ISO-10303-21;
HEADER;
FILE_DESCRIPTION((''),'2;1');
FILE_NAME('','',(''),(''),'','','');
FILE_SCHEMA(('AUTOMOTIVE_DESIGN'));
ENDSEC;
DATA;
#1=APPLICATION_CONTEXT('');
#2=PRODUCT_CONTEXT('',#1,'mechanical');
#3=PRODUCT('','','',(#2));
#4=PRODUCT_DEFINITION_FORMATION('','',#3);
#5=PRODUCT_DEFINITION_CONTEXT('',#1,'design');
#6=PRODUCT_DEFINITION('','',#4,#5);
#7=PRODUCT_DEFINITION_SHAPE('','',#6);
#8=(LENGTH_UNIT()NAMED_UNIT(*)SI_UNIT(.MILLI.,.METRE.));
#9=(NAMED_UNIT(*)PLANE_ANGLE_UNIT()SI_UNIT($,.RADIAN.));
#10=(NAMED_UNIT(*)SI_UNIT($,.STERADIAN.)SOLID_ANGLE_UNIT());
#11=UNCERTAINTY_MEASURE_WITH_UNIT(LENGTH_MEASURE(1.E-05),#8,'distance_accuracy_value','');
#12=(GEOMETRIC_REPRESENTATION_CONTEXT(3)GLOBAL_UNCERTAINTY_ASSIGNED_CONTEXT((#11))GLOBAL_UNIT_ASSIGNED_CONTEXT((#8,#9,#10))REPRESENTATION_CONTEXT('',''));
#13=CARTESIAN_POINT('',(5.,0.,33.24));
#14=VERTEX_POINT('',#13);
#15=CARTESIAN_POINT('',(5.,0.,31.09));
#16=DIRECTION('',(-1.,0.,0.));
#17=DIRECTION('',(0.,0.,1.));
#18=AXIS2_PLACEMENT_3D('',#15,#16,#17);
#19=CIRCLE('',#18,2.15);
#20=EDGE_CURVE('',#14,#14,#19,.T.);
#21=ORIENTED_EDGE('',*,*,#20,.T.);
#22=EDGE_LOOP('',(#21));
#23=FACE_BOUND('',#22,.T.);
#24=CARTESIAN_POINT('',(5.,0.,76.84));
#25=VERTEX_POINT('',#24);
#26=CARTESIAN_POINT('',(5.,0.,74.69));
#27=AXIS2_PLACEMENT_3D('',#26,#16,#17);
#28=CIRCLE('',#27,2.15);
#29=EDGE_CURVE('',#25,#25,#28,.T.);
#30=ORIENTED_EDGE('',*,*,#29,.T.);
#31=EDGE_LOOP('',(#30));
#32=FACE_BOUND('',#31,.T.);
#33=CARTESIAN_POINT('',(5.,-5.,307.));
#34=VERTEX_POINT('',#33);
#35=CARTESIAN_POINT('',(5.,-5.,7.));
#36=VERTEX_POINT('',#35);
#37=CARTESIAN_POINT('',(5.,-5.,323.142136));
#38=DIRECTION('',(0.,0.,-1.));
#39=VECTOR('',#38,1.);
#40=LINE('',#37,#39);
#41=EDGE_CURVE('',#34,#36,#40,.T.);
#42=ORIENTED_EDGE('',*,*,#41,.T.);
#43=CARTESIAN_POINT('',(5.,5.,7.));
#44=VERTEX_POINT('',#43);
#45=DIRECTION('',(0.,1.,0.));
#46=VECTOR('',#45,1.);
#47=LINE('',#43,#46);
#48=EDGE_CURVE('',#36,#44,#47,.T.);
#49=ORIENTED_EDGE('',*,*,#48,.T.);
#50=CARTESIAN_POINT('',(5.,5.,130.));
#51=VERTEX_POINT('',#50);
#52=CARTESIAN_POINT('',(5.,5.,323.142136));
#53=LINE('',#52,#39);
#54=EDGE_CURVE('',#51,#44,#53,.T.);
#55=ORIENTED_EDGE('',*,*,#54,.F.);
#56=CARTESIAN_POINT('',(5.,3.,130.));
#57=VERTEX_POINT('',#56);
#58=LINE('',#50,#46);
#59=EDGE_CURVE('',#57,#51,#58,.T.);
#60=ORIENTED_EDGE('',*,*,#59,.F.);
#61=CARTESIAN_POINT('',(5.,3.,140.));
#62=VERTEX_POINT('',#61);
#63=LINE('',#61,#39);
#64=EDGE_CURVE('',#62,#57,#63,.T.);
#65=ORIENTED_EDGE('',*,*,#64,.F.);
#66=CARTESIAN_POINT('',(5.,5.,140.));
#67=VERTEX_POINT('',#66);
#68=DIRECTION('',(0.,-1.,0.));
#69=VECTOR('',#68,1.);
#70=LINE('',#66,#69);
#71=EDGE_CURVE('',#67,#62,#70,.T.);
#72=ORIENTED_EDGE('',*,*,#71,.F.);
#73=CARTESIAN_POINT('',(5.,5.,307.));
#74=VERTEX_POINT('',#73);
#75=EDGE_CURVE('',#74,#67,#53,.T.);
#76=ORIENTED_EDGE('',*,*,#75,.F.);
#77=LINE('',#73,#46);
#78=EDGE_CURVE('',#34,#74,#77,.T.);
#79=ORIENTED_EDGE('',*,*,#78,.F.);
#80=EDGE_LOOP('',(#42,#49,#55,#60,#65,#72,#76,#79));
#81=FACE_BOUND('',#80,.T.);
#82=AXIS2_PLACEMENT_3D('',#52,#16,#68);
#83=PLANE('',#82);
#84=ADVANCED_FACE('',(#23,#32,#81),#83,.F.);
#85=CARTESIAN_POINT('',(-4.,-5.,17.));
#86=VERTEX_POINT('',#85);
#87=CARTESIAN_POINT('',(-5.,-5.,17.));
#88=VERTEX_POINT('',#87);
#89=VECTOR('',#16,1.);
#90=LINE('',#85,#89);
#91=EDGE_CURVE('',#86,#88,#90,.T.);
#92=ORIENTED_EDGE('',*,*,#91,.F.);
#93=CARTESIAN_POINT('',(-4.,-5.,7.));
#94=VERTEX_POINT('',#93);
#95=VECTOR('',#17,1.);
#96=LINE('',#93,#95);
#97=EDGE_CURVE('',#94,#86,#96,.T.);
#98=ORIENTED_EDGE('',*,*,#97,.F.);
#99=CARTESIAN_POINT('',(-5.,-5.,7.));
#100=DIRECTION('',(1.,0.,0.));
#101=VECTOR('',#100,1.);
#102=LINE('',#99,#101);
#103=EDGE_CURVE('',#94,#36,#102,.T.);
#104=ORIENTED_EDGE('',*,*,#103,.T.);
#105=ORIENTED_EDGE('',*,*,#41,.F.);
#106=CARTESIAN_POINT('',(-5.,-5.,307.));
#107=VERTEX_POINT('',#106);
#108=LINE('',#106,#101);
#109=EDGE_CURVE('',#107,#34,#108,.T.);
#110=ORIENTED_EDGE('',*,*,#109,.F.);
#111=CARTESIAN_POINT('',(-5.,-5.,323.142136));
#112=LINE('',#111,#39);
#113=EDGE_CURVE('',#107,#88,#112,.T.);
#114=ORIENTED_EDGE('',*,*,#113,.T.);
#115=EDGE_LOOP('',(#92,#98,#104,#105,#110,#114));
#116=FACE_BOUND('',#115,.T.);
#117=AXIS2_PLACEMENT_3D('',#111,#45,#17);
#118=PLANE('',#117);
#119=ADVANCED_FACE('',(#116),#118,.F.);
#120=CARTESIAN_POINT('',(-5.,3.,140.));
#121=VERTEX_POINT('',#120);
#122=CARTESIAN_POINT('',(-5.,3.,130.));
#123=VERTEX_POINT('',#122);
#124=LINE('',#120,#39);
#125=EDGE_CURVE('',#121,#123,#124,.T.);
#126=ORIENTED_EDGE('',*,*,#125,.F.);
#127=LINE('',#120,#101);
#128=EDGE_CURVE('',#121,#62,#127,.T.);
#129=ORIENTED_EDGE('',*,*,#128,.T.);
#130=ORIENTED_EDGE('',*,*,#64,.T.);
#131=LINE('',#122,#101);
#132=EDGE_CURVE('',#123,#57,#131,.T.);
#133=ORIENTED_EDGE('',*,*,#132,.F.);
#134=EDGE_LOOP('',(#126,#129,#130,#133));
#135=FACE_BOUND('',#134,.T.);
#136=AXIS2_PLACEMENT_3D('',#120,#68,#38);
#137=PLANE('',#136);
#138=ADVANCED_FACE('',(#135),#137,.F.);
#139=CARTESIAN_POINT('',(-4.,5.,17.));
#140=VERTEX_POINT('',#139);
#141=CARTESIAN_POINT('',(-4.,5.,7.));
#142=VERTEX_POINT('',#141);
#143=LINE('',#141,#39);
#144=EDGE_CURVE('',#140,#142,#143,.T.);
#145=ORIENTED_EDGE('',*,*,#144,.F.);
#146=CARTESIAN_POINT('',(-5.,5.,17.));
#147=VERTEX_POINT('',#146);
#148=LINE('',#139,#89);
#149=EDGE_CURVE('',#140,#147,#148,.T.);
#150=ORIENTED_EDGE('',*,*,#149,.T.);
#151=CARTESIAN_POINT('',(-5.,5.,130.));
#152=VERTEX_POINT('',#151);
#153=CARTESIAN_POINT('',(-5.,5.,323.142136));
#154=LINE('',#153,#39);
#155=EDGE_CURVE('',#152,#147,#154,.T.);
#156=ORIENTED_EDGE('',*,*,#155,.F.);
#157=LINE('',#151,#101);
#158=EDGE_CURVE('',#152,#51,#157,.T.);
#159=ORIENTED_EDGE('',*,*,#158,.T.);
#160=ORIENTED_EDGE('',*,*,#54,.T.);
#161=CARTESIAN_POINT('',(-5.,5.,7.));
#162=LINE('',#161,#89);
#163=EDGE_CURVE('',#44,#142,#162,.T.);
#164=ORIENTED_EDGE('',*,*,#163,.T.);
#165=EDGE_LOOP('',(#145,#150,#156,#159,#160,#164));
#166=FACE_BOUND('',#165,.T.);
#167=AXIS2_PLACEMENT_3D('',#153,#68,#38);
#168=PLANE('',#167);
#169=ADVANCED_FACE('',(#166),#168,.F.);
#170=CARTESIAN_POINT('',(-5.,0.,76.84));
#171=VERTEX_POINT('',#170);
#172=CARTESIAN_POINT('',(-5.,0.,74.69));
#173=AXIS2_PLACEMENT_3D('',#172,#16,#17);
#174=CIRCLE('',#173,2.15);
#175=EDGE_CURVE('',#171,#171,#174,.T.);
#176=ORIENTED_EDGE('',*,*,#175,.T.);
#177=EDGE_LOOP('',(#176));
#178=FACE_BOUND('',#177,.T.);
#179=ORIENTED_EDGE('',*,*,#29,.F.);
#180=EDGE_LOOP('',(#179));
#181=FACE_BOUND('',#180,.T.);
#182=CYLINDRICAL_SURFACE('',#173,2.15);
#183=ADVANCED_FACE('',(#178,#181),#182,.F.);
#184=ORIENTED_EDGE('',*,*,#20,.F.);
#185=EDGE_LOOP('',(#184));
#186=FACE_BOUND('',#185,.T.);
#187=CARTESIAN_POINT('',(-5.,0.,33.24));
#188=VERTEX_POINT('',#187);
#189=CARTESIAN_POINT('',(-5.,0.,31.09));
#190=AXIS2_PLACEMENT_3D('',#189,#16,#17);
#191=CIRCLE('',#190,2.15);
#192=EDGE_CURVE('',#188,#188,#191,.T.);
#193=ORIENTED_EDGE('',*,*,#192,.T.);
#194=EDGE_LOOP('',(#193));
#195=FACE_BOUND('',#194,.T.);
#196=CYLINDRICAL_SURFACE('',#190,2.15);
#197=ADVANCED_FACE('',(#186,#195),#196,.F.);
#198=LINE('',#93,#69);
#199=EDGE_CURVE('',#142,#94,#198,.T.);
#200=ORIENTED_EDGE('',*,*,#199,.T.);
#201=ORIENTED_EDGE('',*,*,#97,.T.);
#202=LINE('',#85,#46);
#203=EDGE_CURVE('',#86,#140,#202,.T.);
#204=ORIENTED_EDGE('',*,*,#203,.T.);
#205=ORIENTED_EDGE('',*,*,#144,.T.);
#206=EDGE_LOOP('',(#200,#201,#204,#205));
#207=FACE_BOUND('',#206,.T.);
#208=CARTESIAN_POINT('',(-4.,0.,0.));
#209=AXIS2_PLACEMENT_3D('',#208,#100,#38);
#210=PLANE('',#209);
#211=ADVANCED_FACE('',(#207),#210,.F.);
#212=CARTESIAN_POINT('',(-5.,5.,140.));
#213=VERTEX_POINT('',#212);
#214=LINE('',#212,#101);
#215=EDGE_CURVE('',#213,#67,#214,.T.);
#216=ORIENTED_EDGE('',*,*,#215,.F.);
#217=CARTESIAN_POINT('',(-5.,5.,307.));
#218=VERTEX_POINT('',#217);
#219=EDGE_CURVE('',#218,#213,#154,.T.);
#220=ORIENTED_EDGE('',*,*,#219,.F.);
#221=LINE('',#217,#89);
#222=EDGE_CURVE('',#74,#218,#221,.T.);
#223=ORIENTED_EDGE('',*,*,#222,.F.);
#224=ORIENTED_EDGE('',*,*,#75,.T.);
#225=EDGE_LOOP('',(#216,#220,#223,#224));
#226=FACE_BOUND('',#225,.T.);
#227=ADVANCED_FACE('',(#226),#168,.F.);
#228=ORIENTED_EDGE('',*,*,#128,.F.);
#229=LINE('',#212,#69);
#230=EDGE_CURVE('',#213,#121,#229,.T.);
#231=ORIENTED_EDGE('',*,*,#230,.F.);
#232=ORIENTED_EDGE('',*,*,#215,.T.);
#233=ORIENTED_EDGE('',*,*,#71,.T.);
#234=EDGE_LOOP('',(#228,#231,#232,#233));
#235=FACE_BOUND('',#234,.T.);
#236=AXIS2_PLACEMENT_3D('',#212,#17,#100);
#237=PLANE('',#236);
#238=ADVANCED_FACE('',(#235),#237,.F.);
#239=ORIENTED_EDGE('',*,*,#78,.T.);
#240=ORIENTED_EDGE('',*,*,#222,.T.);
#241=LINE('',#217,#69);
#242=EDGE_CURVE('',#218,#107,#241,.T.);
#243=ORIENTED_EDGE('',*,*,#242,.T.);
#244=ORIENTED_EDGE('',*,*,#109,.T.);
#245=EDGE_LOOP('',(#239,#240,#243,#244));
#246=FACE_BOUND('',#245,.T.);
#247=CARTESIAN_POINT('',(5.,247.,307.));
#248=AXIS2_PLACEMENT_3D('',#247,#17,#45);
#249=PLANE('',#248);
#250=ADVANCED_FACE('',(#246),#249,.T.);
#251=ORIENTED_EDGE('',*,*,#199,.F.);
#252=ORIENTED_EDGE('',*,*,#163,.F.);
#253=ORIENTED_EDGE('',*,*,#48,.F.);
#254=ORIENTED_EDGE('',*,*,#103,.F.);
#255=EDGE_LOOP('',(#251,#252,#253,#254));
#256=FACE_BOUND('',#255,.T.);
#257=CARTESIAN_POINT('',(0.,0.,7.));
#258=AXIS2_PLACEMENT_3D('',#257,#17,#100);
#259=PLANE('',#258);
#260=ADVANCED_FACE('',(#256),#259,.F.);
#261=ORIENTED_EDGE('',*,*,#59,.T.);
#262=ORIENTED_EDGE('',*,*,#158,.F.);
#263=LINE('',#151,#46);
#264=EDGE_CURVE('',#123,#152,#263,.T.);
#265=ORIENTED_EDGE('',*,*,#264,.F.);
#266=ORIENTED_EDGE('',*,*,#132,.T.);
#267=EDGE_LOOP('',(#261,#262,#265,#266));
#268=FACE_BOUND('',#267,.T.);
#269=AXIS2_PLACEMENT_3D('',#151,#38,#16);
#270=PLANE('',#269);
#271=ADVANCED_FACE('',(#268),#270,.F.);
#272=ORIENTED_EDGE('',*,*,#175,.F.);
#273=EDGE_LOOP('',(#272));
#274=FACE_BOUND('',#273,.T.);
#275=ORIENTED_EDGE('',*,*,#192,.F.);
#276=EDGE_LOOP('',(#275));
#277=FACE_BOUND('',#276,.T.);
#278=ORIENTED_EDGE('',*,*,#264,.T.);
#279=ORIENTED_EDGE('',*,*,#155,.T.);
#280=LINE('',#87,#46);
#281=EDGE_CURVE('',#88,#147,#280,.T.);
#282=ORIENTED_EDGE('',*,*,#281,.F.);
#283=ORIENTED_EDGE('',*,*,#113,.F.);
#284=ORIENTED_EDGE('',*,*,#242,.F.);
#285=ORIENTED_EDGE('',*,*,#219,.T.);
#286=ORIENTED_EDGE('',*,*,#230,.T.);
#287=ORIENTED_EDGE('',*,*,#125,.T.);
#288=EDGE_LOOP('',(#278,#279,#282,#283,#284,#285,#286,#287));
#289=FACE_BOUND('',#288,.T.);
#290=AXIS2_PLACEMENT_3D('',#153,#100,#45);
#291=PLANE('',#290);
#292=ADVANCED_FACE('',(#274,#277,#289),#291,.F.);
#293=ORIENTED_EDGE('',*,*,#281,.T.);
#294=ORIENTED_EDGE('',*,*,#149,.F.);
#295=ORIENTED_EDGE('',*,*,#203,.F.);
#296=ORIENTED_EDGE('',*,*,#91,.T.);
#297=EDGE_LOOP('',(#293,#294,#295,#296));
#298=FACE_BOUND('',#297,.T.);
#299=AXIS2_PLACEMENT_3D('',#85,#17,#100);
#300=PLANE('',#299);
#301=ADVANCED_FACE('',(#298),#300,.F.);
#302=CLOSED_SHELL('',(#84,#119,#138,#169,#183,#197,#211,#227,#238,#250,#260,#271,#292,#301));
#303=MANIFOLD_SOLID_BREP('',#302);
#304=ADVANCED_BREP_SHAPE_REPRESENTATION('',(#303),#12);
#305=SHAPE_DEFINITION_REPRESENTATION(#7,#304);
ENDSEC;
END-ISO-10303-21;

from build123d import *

# Parameters (mm, degrees)
BOSS_EXTRU_1_START      = 7
ESQUISSE1_W             = 10
ESQUISSE1_H             = 10
BOSS_EXTRU_1_DEPTH      = 300
ESQUISSE4_W             = 10
ESQUISSE4_H             = 2
ENL_V_MAT_EXTRU_3_DEPTH = 11
ESQUISSE6_W             = 10
ESQUISSE6_H             = 10
ENL_V_MAT_EXTRU_5_DEPTH = 1
D_GAGEMENT_M41_D        = 4.3


with BuildPart() as part:
    # Esquisse1 → Boss.-Extru.1 (new body)
    with BuildSketch(Plane.XY.offset(BOSS_EXTRU_1_START)):
        Rectangle(ESQUISSE1_W, ESQUISSE1_H)
    extrude(amount=BOSS_EXTRU_1_DEPTH)

    # Esquisse4 → Enlèv. mat.-Extru.3 (cut, through all)
    with BuildSketch(Plane(origin=(5, 0, 0), x_dir=(0, 0, -1), z_dir=(1, 0, 0))):
        with Locations((-135, 4)):
            Rectangle(ESQUISSE4_W, ESQUISSE4_H)
    extrude(amount=-ENL_V_MAT_EXTRU_3_DEPTH, mode=Mode.SUBTRACT)

    # Esquisse6 → Enlèv. mat.-Extru.5 (cut)
    with BuildSketch(Plane.ZY.offset(5)):
        with Locations((12, 0)):
            Rectangle(ESQUISSE6_W, ESQUISSE6_H)
    extrude(amount=-ENL_V_MAT_EXTRU_5_DEPTH, mode=Mode.SUBTRACT)

    # Dégagement M41 (through all)
    with Locations(Plane.ZY.offset(5)):
        with Locations((74.69, 0), (31.09, 0)):
            Hole(D_GAGEMENT_M41_D / 2)


solid = part.part
